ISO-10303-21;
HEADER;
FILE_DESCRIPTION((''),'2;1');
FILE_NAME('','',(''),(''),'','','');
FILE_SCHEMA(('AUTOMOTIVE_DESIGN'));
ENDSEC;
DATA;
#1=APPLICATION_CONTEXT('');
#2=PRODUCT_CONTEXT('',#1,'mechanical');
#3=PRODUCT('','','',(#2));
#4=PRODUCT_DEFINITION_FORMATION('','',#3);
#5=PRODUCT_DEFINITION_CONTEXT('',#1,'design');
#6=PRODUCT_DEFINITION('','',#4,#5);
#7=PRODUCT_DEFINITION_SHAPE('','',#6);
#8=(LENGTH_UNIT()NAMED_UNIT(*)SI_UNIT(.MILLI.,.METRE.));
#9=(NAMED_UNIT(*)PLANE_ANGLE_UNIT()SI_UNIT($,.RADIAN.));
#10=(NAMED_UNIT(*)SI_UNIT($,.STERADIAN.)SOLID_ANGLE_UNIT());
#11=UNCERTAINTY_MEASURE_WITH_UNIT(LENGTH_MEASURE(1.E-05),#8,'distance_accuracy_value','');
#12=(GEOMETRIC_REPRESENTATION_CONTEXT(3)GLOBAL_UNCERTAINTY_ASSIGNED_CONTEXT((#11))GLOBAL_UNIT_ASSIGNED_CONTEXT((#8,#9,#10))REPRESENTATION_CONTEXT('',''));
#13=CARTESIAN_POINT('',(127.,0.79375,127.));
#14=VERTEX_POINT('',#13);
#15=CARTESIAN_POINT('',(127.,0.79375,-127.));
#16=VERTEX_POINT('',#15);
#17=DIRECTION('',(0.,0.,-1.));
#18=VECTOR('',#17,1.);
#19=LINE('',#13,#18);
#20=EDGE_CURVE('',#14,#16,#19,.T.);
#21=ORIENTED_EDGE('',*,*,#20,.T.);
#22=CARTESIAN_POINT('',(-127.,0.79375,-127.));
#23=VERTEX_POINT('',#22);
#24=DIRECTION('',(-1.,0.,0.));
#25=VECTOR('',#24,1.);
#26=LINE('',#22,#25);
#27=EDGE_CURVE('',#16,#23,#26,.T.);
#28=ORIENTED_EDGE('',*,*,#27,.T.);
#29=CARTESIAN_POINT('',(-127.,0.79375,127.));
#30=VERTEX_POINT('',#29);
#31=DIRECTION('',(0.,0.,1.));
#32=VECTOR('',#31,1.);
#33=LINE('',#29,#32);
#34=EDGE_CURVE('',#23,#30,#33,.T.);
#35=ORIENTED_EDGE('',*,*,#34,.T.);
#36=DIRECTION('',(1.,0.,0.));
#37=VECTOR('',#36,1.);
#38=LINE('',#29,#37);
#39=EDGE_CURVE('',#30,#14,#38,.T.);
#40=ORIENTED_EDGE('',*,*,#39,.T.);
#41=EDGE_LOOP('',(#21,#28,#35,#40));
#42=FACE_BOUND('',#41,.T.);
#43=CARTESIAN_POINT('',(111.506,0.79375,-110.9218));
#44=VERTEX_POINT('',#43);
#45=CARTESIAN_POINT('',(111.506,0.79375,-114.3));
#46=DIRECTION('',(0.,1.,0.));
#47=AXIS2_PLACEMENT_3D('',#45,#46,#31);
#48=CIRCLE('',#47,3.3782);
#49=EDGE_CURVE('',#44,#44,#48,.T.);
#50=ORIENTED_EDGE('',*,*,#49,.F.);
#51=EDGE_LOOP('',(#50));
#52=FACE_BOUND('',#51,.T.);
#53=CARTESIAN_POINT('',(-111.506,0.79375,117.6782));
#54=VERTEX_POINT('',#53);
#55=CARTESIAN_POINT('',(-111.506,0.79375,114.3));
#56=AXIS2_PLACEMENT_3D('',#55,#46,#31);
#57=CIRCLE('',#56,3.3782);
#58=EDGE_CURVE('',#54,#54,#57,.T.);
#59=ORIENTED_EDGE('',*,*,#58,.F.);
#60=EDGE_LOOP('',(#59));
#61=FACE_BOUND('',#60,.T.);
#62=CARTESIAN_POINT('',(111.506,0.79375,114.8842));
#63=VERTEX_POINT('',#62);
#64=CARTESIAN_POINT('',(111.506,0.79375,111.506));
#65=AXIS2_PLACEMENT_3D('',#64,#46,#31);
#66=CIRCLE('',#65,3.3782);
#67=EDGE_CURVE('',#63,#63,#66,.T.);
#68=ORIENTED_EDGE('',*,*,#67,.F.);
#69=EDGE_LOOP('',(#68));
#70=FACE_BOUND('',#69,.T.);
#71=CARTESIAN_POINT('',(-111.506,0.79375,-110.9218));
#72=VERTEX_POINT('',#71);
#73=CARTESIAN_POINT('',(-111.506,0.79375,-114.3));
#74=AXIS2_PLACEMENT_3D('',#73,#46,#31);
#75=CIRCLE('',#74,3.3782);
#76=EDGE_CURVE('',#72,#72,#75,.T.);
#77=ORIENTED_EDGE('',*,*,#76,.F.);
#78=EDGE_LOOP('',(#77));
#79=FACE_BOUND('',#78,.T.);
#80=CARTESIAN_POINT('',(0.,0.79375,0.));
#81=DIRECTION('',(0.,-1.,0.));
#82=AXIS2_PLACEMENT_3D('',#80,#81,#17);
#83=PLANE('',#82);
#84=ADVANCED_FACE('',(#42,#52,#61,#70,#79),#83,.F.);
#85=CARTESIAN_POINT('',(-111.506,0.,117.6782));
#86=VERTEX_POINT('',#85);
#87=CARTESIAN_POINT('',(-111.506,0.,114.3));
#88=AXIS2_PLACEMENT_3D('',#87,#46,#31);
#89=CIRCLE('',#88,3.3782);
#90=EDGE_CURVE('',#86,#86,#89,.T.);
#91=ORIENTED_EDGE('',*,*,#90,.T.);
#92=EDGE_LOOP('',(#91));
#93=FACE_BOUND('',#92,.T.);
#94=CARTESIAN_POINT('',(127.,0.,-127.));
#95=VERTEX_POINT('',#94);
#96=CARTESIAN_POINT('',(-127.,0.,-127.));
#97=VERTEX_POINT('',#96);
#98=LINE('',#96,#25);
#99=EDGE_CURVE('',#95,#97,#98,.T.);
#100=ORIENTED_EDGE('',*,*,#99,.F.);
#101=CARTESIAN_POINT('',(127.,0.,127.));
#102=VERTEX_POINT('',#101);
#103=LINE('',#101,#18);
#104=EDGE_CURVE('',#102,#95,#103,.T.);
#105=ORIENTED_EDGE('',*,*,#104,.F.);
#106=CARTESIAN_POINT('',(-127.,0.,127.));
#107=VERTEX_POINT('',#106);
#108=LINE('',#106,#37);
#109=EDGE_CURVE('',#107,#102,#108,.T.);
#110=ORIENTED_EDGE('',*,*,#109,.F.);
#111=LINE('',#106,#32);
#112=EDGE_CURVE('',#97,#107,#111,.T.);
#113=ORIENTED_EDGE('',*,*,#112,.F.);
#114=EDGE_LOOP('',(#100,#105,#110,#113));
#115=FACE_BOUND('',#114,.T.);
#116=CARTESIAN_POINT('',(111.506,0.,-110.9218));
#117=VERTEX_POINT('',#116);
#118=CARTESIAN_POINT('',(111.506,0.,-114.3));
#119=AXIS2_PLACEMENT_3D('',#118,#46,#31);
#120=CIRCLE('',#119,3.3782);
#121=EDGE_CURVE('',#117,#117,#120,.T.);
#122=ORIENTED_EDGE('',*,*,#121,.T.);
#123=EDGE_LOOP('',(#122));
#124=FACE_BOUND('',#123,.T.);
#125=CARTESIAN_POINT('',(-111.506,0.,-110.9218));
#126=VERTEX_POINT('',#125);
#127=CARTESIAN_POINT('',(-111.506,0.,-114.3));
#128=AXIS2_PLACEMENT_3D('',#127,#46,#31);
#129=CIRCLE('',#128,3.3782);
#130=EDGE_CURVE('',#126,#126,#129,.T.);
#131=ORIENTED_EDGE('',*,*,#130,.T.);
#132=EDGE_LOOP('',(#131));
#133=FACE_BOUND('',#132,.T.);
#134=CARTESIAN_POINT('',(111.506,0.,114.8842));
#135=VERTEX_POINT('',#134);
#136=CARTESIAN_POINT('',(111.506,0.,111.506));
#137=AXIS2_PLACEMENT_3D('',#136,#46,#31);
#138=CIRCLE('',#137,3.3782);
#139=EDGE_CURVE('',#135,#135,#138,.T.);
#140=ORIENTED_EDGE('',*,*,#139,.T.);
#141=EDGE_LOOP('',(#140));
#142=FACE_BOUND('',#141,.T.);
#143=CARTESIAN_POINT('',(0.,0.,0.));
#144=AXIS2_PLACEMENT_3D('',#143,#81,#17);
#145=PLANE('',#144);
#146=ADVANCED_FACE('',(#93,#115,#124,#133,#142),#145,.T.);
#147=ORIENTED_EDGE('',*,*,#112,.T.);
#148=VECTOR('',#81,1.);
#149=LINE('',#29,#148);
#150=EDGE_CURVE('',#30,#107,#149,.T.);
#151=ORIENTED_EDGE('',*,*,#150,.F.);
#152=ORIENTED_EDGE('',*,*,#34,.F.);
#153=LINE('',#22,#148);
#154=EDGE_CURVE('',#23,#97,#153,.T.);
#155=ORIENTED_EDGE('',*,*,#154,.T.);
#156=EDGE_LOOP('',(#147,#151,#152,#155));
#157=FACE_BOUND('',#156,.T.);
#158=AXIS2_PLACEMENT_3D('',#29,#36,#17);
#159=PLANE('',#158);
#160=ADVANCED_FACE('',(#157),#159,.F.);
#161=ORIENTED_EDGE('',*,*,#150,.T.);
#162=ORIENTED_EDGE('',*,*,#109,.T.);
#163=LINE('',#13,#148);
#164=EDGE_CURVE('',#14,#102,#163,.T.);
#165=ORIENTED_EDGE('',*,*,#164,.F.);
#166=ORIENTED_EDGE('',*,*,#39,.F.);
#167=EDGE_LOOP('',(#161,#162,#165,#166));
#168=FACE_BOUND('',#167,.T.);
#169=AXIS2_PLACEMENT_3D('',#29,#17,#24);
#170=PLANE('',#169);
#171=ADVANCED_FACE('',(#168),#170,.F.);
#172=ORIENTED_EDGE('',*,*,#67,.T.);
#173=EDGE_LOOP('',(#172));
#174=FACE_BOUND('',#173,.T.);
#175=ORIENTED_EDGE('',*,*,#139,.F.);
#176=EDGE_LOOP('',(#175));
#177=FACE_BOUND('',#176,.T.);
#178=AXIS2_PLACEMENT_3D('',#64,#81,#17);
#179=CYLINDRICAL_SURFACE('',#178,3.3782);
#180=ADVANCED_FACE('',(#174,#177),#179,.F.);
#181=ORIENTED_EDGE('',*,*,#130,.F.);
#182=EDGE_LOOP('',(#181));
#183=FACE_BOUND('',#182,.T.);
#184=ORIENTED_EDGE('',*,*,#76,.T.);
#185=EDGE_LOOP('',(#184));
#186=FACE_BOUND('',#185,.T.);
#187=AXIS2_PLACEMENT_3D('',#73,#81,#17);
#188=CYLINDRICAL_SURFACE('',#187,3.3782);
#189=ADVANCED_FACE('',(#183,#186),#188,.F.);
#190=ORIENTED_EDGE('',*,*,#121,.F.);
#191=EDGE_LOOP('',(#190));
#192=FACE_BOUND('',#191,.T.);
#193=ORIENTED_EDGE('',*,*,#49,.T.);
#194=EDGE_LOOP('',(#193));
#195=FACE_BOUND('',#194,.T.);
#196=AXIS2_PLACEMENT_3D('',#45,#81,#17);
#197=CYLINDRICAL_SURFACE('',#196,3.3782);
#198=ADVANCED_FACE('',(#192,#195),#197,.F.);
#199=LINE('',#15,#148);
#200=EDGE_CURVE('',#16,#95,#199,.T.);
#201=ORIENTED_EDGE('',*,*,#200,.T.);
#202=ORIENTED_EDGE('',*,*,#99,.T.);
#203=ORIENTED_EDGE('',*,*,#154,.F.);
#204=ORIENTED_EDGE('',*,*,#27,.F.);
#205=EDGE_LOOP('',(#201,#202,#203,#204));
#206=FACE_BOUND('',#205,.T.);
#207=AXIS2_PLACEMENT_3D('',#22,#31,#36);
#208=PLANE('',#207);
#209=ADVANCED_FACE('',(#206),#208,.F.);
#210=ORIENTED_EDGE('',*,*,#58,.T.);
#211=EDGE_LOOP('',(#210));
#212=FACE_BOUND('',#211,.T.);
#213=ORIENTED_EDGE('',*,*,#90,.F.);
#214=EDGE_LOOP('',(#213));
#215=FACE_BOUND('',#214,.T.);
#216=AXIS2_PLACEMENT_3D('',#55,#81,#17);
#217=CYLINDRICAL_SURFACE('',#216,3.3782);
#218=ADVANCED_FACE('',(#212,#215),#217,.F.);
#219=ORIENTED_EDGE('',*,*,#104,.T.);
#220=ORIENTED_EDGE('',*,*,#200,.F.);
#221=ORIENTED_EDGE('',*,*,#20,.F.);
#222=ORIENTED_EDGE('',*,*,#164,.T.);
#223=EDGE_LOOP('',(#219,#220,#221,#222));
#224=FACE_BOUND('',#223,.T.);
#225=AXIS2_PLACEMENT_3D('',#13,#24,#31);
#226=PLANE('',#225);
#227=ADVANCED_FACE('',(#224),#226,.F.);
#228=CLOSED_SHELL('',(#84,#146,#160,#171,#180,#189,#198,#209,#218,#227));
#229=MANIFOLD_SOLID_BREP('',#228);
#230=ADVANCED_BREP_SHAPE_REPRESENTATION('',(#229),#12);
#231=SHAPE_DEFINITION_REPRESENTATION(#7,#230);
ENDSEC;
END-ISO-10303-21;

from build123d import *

# Parameters (mm, degrees)
SKETCH1_W           = 254
SKETCH1_H           = 254
SKETCH1_R           = 3.3782
BOSS_EXTRUDE1_DEPTH = 0.79375


with BuildPart() as part:
    # Sketch1 → Boss-Extrude1 (new body)
    with BuildSketch(Plane(origin=(0, 0, 0), x_dir=(1, 0, 0), z_dir=(0, 1, 0))):
        Rectangle(SKETCH1_W, SKETCH1_H)
        with Locations(Location((-111.506, 114.3, 0), (0, 0, 270))):
            Circle(SKETCH1_R, mode=Mode.SUBTRACT)
        with Locations(Location((111.506, 114.3, 0), (0, 0, 270))):
            Circle(SKETCH1_R, mode=Mode.SUBTRACT)
        with Locations(Location((111.506, -111.506, 0), (0, 0, 270))):
            Circle(SKETCH1_R, mode=Mode.SUBTRACT)
        with Locations(Location((-111.506, -114.3, 0), (0, 0, 270))):
            Circle(SKETCH1_R, mode=Mode.SUBTRACT)
    extrude(amount=BOSS_EXTRUDE1_DEPTH)


solid = part.part
